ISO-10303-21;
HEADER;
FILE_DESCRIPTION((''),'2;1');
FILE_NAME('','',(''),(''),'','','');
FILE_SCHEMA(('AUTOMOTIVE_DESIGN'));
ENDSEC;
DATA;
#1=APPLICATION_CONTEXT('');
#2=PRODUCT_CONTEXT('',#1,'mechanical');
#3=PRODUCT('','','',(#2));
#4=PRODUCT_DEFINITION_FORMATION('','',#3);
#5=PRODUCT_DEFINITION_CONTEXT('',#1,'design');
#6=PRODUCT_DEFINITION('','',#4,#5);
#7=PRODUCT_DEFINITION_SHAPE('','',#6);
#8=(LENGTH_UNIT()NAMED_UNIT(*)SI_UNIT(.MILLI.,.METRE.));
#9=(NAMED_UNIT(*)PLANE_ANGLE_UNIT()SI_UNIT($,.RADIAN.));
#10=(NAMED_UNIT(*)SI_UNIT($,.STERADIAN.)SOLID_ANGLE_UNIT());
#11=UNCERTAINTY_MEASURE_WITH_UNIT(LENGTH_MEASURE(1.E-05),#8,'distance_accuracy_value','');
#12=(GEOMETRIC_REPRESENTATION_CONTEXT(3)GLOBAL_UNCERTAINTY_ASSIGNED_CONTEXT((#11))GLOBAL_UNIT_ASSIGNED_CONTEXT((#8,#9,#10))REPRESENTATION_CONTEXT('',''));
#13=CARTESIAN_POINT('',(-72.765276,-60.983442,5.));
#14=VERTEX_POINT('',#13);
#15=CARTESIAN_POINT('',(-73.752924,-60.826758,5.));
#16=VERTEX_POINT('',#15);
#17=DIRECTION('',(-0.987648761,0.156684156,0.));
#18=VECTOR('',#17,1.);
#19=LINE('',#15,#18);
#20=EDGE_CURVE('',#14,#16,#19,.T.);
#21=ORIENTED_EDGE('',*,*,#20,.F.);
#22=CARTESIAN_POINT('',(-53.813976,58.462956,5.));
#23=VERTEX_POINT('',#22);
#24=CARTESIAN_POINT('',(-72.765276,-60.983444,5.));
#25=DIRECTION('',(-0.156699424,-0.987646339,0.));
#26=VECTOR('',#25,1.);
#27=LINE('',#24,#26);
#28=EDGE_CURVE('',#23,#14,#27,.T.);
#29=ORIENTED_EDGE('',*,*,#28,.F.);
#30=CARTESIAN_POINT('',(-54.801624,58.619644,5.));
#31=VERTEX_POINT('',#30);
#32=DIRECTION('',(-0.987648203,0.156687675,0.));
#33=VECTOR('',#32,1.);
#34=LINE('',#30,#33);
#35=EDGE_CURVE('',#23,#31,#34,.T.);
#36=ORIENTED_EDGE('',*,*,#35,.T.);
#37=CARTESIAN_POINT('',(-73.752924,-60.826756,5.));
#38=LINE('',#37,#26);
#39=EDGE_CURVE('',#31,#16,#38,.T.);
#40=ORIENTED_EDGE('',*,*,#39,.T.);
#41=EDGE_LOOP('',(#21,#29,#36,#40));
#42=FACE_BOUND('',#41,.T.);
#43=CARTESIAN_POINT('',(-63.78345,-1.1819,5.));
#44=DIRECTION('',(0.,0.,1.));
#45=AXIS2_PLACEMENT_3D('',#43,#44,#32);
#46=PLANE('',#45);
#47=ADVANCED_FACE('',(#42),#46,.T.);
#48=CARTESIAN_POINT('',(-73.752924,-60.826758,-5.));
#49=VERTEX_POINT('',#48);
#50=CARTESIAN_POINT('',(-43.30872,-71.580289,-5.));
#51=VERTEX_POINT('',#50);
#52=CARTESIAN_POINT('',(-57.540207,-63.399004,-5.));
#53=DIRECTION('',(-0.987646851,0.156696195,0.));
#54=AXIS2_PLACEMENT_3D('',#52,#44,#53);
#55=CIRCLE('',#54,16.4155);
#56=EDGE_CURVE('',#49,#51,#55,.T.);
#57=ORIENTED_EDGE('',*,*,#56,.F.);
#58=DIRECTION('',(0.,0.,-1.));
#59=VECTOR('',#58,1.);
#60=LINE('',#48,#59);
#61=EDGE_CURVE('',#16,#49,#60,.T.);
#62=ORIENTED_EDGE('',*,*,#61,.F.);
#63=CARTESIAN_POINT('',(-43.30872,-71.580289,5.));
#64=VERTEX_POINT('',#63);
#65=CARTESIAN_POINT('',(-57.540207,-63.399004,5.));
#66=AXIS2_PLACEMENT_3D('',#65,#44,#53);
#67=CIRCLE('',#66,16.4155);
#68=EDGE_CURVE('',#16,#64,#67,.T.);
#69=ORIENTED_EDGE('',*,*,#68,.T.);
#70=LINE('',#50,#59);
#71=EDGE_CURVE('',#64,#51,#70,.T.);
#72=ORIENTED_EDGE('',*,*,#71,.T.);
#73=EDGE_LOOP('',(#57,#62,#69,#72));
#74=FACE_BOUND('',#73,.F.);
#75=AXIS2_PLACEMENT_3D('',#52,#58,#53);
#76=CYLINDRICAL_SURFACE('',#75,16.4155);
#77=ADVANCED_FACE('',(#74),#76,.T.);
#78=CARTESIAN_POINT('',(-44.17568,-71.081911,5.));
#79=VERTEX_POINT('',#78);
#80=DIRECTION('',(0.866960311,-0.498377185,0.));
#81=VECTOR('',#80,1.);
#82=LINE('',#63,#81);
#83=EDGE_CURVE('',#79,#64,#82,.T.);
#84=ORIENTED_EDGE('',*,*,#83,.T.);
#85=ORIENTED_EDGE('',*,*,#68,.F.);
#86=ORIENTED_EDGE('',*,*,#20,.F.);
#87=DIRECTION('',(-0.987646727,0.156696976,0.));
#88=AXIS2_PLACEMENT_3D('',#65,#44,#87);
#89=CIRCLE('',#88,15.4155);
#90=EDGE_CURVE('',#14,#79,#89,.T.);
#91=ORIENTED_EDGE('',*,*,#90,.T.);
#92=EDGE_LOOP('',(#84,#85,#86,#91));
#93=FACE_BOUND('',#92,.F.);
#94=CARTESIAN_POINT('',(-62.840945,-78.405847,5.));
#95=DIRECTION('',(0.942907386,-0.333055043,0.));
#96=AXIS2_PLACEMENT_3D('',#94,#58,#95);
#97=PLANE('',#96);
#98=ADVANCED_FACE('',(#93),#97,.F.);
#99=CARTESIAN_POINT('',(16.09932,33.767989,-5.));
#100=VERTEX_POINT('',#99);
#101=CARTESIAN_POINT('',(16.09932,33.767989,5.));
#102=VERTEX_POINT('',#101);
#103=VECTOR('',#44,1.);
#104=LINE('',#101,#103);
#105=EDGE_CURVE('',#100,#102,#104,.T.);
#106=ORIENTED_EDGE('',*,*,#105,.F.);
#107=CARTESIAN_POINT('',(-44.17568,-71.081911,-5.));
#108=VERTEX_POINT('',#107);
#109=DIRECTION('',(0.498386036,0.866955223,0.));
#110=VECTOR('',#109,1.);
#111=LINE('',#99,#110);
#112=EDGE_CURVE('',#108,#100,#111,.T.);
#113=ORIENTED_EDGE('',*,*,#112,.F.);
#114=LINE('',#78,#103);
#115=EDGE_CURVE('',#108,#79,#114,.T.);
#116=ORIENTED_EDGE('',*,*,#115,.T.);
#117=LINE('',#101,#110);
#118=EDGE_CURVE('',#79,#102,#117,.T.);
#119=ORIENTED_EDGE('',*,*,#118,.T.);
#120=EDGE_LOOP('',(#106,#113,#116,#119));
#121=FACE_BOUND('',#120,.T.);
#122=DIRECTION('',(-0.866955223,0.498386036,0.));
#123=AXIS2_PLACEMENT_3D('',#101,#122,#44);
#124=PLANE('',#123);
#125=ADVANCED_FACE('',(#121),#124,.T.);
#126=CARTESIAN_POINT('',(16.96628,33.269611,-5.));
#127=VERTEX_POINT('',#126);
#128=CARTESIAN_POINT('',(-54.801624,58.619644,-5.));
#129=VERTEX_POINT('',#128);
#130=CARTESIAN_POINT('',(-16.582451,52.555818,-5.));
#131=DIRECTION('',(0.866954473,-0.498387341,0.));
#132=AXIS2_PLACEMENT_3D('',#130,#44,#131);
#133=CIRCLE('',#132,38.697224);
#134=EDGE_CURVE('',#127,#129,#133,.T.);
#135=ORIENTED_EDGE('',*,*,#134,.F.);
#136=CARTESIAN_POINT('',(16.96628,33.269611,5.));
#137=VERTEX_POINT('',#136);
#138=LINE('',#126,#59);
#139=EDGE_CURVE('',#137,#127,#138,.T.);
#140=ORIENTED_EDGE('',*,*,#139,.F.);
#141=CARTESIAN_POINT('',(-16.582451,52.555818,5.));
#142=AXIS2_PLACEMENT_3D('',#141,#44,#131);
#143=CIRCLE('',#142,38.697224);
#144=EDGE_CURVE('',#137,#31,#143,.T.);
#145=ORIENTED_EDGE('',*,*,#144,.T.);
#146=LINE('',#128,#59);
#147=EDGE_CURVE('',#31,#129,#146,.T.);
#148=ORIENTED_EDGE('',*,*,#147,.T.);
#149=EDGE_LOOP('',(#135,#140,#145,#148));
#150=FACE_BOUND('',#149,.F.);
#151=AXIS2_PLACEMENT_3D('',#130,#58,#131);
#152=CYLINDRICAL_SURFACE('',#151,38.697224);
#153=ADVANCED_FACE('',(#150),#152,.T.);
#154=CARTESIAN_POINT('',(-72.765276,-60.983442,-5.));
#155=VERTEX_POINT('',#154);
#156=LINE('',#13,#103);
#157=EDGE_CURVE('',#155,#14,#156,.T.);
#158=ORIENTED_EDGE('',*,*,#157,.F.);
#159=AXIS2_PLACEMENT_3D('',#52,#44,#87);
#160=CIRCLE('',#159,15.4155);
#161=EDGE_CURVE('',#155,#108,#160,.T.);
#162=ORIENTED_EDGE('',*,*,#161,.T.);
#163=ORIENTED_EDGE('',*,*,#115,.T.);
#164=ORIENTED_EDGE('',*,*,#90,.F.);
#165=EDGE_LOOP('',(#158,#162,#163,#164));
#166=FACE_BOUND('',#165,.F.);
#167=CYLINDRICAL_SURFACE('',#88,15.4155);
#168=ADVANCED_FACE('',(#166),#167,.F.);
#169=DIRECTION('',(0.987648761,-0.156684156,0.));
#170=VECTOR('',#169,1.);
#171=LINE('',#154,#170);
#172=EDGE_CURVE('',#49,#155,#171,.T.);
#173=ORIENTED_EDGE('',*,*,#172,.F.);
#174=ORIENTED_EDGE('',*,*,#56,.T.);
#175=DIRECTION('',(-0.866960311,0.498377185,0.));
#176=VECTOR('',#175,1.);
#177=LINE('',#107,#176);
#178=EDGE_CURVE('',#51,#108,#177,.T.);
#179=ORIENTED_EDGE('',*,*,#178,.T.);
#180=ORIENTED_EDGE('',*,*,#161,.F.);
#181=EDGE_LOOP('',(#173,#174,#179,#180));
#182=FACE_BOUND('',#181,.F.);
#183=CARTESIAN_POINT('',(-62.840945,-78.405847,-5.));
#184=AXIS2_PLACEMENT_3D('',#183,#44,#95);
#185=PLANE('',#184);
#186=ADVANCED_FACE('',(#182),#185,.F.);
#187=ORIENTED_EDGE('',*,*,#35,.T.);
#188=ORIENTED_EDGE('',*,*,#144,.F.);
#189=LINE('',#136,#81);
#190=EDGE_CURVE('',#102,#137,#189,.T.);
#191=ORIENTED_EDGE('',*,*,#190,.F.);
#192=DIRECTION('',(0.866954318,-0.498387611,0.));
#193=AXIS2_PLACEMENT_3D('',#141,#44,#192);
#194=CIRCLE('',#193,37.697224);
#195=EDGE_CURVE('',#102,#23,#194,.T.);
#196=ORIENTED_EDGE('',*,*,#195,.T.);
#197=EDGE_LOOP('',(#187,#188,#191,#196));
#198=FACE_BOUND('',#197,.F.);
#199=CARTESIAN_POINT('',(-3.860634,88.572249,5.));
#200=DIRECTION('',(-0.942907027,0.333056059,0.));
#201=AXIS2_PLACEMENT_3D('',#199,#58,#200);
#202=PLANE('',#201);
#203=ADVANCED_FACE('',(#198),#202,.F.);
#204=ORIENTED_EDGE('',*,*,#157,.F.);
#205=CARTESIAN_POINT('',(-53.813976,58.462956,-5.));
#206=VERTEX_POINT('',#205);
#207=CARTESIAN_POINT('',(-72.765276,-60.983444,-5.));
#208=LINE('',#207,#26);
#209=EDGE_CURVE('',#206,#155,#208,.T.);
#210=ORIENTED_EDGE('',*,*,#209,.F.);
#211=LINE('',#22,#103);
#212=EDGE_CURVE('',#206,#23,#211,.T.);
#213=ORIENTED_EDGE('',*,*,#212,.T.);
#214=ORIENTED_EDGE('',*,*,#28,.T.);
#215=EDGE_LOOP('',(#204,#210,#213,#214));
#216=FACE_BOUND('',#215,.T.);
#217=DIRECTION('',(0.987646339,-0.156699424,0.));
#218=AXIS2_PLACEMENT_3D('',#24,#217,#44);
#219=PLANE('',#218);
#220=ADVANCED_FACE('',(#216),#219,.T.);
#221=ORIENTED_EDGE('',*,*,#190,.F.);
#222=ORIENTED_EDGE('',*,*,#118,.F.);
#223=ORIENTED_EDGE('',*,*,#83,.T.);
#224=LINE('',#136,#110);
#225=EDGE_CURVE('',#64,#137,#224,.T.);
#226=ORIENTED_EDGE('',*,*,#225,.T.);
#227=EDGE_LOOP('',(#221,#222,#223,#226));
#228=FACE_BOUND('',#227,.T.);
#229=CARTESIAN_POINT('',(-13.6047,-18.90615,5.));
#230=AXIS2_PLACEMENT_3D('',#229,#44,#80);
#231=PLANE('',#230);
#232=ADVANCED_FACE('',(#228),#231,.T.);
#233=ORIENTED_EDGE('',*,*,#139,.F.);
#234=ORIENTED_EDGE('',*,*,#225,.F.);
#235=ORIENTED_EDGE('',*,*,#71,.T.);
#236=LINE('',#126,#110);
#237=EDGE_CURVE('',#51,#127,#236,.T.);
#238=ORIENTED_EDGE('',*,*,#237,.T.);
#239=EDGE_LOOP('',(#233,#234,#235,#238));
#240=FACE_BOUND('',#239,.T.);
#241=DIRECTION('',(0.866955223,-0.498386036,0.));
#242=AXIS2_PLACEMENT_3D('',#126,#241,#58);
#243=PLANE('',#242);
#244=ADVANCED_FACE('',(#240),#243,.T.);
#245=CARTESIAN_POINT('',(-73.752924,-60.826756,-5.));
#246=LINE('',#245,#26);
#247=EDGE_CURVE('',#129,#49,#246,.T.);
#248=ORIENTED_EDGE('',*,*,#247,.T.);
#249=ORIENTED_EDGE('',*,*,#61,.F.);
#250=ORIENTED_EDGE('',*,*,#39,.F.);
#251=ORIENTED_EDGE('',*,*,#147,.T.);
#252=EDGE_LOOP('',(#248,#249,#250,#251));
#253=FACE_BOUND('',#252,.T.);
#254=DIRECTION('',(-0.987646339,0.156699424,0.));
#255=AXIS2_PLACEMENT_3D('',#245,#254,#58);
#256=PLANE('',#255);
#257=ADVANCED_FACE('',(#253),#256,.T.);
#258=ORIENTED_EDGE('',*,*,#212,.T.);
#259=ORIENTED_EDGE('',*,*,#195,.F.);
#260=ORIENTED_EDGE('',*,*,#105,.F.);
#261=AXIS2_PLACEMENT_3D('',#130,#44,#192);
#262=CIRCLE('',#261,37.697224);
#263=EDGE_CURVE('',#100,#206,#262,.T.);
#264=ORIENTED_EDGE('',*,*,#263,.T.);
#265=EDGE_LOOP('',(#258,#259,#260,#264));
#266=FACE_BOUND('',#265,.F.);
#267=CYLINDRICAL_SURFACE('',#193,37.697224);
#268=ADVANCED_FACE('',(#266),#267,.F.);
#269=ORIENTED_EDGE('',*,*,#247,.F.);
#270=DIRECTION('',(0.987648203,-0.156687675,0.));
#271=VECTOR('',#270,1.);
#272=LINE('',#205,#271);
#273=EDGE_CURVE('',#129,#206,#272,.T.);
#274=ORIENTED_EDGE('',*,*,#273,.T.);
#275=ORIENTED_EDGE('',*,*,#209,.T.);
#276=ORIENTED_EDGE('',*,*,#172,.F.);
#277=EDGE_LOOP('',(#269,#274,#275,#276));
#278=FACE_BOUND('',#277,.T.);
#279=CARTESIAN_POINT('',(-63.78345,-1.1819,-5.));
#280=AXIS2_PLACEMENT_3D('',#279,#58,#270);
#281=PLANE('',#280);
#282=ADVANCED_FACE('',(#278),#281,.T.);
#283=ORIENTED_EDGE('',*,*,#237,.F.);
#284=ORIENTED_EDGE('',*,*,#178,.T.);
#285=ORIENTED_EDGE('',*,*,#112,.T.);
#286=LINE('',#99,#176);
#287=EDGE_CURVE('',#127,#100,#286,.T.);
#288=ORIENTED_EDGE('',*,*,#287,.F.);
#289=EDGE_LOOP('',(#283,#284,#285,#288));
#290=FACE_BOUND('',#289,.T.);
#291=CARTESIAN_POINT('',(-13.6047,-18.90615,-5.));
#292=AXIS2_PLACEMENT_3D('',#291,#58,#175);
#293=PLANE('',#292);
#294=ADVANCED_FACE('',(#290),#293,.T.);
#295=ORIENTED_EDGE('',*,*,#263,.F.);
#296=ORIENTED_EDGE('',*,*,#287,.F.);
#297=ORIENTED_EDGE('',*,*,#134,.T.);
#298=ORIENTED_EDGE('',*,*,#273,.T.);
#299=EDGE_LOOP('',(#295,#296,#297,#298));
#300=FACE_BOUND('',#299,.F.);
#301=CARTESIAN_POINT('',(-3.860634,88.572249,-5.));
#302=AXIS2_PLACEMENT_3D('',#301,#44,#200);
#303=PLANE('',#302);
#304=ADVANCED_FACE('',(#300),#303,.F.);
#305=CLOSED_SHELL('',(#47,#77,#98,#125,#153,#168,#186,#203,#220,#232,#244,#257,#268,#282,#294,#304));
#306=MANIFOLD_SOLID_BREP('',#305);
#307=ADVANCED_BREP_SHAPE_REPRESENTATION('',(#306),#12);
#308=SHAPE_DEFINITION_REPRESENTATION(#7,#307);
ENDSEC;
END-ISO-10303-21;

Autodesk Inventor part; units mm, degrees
sketch "Sketch Path" plane through (0, 0, 0) normal (0, 0, 1) x (1, 0, 0)
  arc A0 (-73.2591, -60.9051) -> (-43.7422, -71.3311) centre (-57.5402, -63.399) ccw
  arc A1 (16.5328, 33.5188) -> (-54.3078, 58.5413) centre (-16.5825, 52.5558) ccw
  line L0 (16.5328, 33.5188) -> (-43.7422, -71.3311)
  line L1 (-73.2591, -60.9051) -> (-54.3078, 58.5413)
ref_plane "Cross Section Plane" through (-43.7422, -71.3311, 0) normal (0.4984, 0.867, 0) x (0, 0, 1)
ref_plane "Work Plane2" through (-57.5402, -63.399, 0) normal (-1, 0, 0) x (0, 0, 1)
ref_plane "Work Plane3" through (-16.5825, 52.5558, 0) normal (-0.1968, -0.9804, 0) x (0, 0, 1)
sketch "Cross Section" plane through (-43.7422, -71.3311, 0) normal (0.4984, 0.867, 0) x (0, 0, 1)
  line L0 (-5, 0.5) -> (5, 0.5)
  line L1 (5, 0.5) -> (5, -0.5)
  line L2 (5, -0.5) -> (-5, -0.5)
  line L3 (-5, -0.5) -> (-5, 0.5)
  line L4 (-5, 0) -> (5, 0) construction
  point P0 (0, 0)
  point P1 (0, 0)
  dimension "d0" = 10
  dimension "d4" = 0.5
  dimension "d5" = 0.5
sweep "Belt" add profiles "Cross Section" path "Sketch Path"
equation "\"d0\" = da_B"
equation "\"d4\" = da_a"
equation "\"d5\" = da_a2"
equation "\"da_B\" = 10"
equation "\"da_pb\" = 5"
equation "\"da_a\" = 0.5"
equation "\"da_S\" = 2.65"
equation "\"da_Beta\" = 20deg"
equation "\"da_Ht\" = 1.2"
equation "\"da_H\" = 2.2"
equation "\"da_a2\" = 0.5"
properties part number "Synchronous Belt" material "Rubber"
